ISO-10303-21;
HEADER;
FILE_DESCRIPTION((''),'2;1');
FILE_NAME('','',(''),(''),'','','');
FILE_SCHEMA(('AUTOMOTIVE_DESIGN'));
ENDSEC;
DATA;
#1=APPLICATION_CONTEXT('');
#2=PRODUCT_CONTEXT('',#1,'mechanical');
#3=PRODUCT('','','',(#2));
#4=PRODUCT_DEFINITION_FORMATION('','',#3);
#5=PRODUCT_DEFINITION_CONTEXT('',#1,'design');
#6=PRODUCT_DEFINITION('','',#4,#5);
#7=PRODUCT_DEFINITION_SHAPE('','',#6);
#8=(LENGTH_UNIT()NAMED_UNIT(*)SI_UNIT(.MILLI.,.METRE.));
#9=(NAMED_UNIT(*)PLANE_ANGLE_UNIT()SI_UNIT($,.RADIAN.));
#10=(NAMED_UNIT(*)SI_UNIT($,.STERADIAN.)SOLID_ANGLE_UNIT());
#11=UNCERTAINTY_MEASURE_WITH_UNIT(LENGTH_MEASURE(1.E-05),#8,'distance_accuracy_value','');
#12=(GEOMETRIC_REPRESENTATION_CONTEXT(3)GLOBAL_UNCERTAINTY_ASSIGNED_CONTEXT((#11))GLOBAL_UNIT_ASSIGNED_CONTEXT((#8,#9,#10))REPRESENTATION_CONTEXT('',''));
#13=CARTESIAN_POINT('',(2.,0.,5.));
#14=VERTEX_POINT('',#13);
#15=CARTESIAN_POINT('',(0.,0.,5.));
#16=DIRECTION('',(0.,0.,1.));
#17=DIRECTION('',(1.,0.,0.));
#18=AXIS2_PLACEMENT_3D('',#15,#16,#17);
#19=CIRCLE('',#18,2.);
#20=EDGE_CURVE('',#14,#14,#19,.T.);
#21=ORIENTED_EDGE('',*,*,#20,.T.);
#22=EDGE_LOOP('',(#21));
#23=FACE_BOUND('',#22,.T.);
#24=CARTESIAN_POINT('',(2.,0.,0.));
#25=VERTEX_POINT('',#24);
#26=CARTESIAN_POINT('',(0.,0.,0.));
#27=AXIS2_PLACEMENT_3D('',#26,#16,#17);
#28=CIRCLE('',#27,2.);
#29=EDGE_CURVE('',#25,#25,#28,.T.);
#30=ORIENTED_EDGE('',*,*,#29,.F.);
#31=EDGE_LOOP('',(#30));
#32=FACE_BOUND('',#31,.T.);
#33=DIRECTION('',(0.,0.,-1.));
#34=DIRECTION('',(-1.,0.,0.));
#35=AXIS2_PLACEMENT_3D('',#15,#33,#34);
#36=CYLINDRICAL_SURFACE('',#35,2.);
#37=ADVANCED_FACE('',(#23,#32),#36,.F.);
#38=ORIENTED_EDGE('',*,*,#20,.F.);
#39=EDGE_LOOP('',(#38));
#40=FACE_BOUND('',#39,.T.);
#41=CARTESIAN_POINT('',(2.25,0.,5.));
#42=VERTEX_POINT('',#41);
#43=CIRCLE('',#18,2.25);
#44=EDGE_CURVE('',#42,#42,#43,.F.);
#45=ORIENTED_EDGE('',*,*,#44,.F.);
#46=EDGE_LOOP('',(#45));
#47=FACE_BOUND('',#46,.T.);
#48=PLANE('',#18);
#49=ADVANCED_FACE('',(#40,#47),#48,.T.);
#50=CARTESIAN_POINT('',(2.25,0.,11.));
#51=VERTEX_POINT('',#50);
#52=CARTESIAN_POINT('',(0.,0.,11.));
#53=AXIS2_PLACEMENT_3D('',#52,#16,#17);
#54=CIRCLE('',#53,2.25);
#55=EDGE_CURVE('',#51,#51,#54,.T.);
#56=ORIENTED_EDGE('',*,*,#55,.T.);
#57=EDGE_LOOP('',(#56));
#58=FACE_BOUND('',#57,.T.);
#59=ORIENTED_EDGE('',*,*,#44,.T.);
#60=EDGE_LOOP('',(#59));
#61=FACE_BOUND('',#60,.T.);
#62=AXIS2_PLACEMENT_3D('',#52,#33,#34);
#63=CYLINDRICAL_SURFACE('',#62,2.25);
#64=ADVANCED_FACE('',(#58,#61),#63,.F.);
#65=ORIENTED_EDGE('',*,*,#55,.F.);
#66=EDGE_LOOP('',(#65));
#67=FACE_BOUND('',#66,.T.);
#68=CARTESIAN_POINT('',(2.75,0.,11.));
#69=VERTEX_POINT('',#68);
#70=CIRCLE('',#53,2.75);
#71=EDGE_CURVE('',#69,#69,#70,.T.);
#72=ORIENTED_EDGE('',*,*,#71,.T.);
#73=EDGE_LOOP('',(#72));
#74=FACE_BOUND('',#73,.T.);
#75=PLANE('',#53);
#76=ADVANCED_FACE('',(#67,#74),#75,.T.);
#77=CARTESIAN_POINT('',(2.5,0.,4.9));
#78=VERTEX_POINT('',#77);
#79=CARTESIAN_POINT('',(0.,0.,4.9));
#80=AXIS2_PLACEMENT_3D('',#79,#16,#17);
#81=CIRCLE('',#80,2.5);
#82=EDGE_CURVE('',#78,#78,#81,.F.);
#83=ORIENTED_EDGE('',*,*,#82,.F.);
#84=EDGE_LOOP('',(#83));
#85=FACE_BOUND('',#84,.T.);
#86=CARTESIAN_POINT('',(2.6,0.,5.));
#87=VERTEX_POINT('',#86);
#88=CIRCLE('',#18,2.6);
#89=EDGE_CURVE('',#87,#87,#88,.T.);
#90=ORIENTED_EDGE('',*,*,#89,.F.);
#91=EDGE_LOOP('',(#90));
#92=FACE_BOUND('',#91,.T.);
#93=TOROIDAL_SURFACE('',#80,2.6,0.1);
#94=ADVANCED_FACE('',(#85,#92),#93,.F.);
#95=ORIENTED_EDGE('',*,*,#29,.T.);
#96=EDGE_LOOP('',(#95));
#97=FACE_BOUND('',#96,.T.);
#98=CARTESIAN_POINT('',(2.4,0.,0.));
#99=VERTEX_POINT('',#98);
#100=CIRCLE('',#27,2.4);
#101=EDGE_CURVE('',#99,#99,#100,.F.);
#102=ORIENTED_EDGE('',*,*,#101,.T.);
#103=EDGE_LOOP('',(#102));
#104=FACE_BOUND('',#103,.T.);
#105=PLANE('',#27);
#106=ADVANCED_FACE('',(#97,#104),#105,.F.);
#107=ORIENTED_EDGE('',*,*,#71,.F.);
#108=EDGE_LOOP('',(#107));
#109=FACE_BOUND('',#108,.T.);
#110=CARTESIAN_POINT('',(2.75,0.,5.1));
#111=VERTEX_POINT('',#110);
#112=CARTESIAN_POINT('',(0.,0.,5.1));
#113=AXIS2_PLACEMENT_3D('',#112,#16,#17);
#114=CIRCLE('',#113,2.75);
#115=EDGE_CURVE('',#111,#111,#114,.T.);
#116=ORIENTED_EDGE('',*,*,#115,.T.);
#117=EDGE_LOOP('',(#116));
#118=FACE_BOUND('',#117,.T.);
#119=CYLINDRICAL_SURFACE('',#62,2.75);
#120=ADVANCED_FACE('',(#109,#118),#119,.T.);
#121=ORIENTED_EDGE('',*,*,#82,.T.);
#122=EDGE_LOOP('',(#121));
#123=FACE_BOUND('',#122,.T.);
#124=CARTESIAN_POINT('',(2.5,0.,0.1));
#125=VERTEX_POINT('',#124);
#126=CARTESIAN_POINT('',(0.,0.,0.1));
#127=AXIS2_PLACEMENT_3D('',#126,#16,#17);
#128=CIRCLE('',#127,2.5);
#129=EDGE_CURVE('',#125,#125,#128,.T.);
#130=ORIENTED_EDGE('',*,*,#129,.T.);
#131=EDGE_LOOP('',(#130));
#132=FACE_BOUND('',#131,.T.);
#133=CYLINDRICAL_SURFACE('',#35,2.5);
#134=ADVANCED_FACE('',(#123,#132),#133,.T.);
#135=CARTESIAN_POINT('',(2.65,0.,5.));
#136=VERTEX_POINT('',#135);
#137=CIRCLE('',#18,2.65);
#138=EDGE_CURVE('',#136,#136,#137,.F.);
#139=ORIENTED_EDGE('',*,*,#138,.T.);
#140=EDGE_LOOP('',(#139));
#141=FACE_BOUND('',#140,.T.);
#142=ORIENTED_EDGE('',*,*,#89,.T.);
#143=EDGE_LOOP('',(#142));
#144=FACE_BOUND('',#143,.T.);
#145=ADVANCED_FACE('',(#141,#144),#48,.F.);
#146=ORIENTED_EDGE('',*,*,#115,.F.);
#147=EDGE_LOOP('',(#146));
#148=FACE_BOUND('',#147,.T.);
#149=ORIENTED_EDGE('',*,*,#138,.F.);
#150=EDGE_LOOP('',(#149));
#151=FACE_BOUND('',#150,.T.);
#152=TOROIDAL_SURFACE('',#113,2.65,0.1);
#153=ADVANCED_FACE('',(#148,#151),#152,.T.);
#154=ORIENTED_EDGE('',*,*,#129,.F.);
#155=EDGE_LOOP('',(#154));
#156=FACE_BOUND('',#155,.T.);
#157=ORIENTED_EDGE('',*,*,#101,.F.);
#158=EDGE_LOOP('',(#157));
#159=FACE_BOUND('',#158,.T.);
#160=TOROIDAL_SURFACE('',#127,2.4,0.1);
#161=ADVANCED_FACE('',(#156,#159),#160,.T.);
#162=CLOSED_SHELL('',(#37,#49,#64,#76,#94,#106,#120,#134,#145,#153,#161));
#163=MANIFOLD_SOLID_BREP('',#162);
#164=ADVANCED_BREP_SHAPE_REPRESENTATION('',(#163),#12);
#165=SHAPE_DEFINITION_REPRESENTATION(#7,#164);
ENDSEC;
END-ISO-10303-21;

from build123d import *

# Parameters (mm, degrees)
SKETCH_1_R      = 2.5
SKETCH_1_R_2    = 2
EXTRUDE_1_DEPTH = 5
SKETCH_2_R      = 2.75
SKETCH_2_R_2    = 2.25
EXTRUDE_2_DEPTH = 6
FILLET_1_R      = 0.1


with BuildPart() as part:
    # Эскиз1 → Вытянуть1 (new body)
    with BuildSketch(Plane.XY):
        Circle(SKETCH_1_R)
        Circle(SKETCH_1_R_2, mode=Mode.SUBTRACT)
    extrude(amount=EXTRUDE_1_DEPTH)

    # Эскиз2 → Вытянуть2 (add)
    with BuildSketch(Plane.XY.offset(5)):
        Circle(SKETCH_2_R)
        Circle(SKETCH_2_R_2, mode=Mode.SUBTRACT)
    extrude(amount=EXTRUDE_2_DEPTH)

    # Скругление1
    fillet_1_edges = [part.edges().sort_by_distance(p)[0] for p in [
        (-2.5, 0, 0),
        (-2.5, 0, 5),
        (-2.75, 0, 5),
    ]]
    fillet(fillet_1_edges, radius=FILLET_1_R)


solid = part.part
